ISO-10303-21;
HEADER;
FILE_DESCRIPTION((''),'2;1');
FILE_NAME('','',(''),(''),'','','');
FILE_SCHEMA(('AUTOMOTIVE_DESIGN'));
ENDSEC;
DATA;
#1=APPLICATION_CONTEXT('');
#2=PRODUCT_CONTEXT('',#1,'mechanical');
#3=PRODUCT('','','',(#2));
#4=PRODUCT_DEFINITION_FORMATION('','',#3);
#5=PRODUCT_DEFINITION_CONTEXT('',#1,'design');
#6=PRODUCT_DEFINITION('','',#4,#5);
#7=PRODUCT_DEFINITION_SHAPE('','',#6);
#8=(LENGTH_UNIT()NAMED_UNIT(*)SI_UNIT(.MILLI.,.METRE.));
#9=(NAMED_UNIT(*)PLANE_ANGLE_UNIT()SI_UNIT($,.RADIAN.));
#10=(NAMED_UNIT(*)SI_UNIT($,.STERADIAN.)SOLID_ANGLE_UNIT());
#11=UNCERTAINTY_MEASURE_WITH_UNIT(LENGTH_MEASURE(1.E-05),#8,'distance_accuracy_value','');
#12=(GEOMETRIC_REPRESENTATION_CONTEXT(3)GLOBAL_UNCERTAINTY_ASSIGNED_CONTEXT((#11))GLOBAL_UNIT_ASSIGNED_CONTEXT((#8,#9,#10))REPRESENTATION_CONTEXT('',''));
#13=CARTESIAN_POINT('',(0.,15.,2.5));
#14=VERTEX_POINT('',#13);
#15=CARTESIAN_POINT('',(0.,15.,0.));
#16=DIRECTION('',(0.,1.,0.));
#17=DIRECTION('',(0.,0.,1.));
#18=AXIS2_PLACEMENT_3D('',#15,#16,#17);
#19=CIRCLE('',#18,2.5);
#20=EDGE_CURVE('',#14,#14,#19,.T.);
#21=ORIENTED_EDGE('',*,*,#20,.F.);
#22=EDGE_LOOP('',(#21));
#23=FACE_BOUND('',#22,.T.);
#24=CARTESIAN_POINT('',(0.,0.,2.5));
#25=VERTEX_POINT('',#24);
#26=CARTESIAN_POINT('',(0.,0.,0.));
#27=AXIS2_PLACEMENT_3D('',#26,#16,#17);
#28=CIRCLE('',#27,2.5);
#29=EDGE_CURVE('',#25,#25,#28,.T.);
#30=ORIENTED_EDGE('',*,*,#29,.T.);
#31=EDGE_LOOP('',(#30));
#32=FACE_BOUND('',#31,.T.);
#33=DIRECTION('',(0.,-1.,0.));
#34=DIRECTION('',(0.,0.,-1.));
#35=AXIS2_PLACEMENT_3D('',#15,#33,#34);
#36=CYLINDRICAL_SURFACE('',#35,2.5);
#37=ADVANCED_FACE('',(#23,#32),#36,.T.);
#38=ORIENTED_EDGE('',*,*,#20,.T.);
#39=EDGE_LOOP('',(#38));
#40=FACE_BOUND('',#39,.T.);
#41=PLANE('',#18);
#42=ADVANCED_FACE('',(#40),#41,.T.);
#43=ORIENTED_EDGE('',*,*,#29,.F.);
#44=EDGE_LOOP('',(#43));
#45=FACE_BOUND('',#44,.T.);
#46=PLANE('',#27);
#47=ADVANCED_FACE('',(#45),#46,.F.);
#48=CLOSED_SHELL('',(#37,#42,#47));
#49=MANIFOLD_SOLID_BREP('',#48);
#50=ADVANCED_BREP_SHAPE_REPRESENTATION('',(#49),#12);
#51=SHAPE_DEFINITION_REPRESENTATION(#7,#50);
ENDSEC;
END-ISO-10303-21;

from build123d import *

# Parameters (mm, degrees)
SKETCH1_R           = 2.5
BOSS_EXTRUDE1_DEPTH = 15


with BuildPart() as part:
    # Sketch1 → Boss-Extrude1 (new body)
    with BuildSketch(Plane(origin=(0, 0, 0), x_dir=(1, 0, 0), z_dir=(0, 1, 0))):
        Circle(SKETCH1_R)
    extrude(amount=BOSS_EXTRUDE1_DEPTH)


solid = part.part
